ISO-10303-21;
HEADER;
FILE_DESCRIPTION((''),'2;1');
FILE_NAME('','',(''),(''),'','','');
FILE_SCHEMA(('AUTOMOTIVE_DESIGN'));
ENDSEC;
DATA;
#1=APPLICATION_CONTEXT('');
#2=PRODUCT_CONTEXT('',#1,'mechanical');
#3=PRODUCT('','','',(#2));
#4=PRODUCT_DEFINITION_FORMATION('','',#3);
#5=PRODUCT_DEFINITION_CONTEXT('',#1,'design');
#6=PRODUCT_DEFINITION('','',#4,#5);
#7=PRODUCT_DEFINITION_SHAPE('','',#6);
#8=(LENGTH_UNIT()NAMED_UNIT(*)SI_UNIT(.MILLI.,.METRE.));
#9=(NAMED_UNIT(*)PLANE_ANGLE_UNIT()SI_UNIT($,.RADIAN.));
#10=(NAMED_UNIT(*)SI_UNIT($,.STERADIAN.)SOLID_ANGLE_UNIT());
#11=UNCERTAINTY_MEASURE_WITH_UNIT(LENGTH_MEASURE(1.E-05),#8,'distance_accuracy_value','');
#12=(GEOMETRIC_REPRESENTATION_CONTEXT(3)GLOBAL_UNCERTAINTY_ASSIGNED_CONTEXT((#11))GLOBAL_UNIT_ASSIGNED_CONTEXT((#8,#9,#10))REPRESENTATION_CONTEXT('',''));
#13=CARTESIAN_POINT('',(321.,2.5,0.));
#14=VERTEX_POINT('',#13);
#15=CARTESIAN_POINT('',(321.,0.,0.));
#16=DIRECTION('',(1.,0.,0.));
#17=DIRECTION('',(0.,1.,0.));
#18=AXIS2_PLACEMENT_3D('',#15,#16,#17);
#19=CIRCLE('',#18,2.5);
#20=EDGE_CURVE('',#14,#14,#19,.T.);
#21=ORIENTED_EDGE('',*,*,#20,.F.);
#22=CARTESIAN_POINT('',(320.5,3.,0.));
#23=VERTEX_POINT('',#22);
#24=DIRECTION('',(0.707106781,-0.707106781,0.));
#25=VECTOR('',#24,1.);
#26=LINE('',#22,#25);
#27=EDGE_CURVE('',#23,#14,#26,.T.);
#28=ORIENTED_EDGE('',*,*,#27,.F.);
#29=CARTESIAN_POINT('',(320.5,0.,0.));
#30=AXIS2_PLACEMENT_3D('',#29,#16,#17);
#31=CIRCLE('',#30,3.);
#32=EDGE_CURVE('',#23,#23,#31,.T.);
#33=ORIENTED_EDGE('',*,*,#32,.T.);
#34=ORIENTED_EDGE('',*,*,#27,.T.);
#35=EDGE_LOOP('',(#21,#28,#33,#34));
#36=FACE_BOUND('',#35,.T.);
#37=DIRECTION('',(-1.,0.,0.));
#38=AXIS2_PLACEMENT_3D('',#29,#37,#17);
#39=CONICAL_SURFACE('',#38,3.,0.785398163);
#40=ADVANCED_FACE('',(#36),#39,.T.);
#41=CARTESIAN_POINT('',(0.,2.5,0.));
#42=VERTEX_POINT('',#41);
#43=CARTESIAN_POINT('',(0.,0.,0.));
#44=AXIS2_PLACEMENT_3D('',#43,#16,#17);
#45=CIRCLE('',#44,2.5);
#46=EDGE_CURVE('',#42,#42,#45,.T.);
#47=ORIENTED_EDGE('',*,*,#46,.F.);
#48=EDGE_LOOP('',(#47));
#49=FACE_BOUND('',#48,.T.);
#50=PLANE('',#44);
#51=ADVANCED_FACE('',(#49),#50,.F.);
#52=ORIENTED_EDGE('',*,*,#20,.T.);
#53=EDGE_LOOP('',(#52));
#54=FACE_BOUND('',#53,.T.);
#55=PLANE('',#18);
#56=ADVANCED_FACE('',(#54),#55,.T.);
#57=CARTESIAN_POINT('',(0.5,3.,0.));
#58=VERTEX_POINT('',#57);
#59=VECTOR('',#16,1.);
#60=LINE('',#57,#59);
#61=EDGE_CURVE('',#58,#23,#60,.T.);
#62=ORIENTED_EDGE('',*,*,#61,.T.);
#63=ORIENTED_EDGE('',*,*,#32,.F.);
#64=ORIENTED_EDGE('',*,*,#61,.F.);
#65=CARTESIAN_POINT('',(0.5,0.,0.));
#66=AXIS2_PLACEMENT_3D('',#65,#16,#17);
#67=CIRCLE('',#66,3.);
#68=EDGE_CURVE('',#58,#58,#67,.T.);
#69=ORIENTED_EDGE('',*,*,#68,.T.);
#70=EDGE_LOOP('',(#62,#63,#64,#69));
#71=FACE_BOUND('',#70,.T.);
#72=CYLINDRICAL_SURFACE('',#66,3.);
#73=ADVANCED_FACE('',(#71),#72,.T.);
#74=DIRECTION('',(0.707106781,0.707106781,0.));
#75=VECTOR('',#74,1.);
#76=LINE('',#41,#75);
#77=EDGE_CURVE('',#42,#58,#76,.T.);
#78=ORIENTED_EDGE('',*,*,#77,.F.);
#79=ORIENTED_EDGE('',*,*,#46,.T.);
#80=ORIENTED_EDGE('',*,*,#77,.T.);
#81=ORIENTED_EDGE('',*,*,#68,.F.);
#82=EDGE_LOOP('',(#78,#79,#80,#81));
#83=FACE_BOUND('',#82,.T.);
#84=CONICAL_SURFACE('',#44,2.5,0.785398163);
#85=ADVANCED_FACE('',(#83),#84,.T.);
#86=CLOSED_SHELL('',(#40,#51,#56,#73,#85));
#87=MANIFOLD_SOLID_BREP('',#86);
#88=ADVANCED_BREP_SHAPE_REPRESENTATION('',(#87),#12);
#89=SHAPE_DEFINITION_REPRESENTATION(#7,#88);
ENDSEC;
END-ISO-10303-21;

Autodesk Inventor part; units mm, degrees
sketch "Sketch_1" plane through (0, 0, 0) normal (0, 0, 1) x (1, 0, 0)
  line L0 (321, 0) -> (0, 0)
  line L1 (0, 0) -> (0, 2.5)
  line L2 (0, 2.5) -> (0.5, 3)
  line L3 (0.5, 3) -> (320.5, 3)
  line L4 (320.5, 3) -> (321, 2.5)
  line L5 (321, 2.5) -> (321, 0)
  line L6 (321, 0) -> (0, 0)
revolve "Revolution1" add sketch "Sketch_1" angle 360 about axis through (321, 0, 0) along (1, 0, 0)
ref_plane "COMBINATION_MODULE_XY" through (0, 0, 0) normal (1, 0, 0) x (0, 0, -1)
ref_plane "COMBINATION_MODULE_YZ" through (0, 0, 0) normal (0, 0, -1) x (0, 1, 0)
ref_plane "COMBINATION_MODULE_ZX" through (0, 0, 0) normal (0, 1, 0) x (1, 0, 0)
properties part number "SFR6-321" material "鋼、炭素鋼"
